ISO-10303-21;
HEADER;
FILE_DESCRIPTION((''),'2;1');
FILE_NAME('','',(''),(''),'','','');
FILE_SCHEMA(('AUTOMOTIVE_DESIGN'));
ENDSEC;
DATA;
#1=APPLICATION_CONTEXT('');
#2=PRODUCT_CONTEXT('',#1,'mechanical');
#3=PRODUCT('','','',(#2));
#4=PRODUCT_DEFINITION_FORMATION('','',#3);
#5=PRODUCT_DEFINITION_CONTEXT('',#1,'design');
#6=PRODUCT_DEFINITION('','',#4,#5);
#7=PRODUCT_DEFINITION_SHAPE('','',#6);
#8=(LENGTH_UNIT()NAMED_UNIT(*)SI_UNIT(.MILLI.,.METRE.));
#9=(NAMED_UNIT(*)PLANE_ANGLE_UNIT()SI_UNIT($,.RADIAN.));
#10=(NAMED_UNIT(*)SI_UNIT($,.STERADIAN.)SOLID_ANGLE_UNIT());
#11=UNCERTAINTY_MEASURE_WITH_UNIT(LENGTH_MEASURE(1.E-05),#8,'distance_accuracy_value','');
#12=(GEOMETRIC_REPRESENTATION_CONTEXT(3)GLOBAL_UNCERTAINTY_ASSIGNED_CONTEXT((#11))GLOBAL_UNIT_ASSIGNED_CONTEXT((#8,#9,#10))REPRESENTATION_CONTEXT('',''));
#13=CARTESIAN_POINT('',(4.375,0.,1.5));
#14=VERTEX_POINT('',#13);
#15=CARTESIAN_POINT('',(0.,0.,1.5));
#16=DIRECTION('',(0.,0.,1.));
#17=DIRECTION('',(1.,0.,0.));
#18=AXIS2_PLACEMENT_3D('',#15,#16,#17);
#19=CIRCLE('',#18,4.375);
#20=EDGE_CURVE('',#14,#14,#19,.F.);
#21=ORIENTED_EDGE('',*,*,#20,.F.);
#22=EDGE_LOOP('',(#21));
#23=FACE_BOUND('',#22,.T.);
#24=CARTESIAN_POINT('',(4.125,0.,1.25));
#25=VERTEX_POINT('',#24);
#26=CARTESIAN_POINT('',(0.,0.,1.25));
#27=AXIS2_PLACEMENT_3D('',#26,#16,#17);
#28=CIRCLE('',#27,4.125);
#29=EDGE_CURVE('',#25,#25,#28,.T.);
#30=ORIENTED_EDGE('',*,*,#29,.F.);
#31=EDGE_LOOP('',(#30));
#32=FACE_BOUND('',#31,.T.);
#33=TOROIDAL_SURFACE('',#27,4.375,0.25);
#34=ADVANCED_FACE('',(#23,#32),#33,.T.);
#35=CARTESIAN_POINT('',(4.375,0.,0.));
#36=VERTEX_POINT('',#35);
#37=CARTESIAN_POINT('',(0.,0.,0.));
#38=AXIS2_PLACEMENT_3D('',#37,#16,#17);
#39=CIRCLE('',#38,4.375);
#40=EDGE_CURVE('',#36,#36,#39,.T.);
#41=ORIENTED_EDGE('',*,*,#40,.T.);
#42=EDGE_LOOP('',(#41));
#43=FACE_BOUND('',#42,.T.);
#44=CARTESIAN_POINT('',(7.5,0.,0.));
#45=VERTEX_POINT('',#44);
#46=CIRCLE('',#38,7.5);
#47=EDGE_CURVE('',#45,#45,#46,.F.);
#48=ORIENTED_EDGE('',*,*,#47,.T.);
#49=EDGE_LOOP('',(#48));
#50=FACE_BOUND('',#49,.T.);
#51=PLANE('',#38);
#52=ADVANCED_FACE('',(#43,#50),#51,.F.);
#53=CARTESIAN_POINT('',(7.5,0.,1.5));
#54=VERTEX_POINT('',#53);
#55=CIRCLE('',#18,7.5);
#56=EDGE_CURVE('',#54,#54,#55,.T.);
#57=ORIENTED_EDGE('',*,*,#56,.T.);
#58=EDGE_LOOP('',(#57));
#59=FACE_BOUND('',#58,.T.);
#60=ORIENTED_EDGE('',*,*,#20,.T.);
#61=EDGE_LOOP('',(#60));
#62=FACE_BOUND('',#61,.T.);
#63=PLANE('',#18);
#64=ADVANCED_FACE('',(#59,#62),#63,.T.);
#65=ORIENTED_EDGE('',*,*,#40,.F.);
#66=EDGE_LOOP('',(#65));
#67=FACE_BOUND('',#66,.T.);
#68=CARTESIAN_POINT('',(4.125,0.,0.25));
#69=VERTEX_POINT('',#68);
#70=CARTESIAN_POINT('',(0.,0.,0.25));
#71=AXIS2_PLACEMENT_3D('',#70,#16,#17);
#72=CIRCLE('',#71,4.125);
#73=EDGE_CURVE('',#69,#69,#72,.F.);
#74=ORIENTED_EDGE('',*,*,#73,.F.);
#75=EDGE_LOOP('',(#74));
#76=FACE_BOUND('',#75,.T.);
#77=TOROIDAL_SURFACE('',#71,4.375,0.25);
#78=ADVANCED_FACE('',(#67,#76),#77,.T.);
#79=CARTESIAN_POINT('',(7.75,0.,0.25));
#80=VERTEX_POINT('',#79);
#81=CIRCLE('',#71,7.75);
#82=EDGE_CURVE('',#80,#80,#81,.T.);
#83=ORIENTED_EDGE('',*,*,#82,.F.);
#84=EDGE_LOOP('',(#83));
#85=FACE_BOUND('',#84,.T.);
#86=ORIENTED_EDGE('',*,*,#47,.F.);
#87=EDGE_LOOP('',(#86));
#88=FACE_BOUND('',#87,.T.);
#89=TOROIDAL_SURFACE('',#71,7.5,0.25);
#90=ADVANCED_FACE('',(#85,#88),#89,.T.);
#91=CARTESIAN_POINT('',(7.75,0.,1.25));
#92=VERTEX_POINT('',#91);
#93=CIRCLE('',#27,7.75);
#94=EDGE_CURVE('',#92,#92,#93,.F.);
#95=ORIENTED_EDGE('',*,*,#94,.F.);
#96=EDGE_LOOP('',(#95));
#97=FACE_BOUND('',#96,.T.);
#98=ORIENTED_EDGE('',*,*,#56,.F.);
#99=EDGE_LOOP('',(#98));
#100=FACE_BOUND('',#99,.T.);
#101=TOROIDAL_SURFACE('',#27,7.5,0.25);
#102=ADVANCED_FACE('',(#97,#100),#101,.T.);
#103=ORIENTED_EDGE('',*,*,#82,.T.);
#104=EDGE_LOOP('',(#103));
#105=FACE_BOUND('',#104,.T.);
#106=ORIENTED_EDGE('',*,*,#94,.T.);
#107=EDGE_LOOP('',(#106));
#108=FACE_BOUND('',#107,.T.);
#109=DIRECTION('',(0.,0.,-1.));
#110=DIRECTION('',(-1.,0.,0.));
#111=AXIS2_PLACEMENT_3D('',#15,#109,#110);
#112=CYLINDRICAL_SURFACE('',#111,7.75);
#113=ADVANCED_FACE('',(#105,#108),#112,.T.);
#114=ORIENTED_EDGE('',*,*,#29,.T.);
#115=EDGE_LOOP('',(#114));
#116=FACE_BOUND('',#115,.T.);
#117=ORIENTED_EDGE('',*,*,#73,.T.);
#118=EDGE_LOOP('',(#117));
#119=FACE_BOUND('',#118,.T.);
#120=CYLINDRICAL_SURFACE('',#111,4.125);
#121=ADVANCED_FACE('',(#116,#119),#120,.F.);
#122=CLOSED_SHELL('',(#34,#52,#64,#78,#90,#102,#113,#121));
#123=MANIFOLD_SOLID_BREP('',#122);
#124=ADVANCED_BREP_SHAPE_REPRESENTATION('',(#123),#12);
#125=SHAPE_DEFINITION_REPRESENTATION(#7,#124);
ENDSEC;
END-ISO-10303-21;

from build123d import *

# Parameters (mm, degrees)
SKETCH1_R           = 7.75
SKETCH1_R_2         = 4.125
BOSS_EXTRUDE1_DEPTH = 1.5
FILLET1_R           = 0.25


with BuildPart() as part:
    # Sketch1 → Boss-Extrude1 (new body)
    with BuildSketch(Plane.XY):
        Circle(SKETCH1_R)
        Circle(SKETCH1_R_2, mode=Mode.SUBTRACT)
    extrude(amount=BOSS_EXTRUDE1_DEPTH)

    # Fillet1
    fillet1_edges = [part.edges().sort_by_distance(p)[0] for p in [
        (-7.75, 0, 0),
        (-7.75, 0, 1.5),
        (-4.125, 0, 0),
        (-4.125, 0, 1.5),
    ]]
    fillet(fillet1_edges, radius=FILLET1_R)


solid = part.part
